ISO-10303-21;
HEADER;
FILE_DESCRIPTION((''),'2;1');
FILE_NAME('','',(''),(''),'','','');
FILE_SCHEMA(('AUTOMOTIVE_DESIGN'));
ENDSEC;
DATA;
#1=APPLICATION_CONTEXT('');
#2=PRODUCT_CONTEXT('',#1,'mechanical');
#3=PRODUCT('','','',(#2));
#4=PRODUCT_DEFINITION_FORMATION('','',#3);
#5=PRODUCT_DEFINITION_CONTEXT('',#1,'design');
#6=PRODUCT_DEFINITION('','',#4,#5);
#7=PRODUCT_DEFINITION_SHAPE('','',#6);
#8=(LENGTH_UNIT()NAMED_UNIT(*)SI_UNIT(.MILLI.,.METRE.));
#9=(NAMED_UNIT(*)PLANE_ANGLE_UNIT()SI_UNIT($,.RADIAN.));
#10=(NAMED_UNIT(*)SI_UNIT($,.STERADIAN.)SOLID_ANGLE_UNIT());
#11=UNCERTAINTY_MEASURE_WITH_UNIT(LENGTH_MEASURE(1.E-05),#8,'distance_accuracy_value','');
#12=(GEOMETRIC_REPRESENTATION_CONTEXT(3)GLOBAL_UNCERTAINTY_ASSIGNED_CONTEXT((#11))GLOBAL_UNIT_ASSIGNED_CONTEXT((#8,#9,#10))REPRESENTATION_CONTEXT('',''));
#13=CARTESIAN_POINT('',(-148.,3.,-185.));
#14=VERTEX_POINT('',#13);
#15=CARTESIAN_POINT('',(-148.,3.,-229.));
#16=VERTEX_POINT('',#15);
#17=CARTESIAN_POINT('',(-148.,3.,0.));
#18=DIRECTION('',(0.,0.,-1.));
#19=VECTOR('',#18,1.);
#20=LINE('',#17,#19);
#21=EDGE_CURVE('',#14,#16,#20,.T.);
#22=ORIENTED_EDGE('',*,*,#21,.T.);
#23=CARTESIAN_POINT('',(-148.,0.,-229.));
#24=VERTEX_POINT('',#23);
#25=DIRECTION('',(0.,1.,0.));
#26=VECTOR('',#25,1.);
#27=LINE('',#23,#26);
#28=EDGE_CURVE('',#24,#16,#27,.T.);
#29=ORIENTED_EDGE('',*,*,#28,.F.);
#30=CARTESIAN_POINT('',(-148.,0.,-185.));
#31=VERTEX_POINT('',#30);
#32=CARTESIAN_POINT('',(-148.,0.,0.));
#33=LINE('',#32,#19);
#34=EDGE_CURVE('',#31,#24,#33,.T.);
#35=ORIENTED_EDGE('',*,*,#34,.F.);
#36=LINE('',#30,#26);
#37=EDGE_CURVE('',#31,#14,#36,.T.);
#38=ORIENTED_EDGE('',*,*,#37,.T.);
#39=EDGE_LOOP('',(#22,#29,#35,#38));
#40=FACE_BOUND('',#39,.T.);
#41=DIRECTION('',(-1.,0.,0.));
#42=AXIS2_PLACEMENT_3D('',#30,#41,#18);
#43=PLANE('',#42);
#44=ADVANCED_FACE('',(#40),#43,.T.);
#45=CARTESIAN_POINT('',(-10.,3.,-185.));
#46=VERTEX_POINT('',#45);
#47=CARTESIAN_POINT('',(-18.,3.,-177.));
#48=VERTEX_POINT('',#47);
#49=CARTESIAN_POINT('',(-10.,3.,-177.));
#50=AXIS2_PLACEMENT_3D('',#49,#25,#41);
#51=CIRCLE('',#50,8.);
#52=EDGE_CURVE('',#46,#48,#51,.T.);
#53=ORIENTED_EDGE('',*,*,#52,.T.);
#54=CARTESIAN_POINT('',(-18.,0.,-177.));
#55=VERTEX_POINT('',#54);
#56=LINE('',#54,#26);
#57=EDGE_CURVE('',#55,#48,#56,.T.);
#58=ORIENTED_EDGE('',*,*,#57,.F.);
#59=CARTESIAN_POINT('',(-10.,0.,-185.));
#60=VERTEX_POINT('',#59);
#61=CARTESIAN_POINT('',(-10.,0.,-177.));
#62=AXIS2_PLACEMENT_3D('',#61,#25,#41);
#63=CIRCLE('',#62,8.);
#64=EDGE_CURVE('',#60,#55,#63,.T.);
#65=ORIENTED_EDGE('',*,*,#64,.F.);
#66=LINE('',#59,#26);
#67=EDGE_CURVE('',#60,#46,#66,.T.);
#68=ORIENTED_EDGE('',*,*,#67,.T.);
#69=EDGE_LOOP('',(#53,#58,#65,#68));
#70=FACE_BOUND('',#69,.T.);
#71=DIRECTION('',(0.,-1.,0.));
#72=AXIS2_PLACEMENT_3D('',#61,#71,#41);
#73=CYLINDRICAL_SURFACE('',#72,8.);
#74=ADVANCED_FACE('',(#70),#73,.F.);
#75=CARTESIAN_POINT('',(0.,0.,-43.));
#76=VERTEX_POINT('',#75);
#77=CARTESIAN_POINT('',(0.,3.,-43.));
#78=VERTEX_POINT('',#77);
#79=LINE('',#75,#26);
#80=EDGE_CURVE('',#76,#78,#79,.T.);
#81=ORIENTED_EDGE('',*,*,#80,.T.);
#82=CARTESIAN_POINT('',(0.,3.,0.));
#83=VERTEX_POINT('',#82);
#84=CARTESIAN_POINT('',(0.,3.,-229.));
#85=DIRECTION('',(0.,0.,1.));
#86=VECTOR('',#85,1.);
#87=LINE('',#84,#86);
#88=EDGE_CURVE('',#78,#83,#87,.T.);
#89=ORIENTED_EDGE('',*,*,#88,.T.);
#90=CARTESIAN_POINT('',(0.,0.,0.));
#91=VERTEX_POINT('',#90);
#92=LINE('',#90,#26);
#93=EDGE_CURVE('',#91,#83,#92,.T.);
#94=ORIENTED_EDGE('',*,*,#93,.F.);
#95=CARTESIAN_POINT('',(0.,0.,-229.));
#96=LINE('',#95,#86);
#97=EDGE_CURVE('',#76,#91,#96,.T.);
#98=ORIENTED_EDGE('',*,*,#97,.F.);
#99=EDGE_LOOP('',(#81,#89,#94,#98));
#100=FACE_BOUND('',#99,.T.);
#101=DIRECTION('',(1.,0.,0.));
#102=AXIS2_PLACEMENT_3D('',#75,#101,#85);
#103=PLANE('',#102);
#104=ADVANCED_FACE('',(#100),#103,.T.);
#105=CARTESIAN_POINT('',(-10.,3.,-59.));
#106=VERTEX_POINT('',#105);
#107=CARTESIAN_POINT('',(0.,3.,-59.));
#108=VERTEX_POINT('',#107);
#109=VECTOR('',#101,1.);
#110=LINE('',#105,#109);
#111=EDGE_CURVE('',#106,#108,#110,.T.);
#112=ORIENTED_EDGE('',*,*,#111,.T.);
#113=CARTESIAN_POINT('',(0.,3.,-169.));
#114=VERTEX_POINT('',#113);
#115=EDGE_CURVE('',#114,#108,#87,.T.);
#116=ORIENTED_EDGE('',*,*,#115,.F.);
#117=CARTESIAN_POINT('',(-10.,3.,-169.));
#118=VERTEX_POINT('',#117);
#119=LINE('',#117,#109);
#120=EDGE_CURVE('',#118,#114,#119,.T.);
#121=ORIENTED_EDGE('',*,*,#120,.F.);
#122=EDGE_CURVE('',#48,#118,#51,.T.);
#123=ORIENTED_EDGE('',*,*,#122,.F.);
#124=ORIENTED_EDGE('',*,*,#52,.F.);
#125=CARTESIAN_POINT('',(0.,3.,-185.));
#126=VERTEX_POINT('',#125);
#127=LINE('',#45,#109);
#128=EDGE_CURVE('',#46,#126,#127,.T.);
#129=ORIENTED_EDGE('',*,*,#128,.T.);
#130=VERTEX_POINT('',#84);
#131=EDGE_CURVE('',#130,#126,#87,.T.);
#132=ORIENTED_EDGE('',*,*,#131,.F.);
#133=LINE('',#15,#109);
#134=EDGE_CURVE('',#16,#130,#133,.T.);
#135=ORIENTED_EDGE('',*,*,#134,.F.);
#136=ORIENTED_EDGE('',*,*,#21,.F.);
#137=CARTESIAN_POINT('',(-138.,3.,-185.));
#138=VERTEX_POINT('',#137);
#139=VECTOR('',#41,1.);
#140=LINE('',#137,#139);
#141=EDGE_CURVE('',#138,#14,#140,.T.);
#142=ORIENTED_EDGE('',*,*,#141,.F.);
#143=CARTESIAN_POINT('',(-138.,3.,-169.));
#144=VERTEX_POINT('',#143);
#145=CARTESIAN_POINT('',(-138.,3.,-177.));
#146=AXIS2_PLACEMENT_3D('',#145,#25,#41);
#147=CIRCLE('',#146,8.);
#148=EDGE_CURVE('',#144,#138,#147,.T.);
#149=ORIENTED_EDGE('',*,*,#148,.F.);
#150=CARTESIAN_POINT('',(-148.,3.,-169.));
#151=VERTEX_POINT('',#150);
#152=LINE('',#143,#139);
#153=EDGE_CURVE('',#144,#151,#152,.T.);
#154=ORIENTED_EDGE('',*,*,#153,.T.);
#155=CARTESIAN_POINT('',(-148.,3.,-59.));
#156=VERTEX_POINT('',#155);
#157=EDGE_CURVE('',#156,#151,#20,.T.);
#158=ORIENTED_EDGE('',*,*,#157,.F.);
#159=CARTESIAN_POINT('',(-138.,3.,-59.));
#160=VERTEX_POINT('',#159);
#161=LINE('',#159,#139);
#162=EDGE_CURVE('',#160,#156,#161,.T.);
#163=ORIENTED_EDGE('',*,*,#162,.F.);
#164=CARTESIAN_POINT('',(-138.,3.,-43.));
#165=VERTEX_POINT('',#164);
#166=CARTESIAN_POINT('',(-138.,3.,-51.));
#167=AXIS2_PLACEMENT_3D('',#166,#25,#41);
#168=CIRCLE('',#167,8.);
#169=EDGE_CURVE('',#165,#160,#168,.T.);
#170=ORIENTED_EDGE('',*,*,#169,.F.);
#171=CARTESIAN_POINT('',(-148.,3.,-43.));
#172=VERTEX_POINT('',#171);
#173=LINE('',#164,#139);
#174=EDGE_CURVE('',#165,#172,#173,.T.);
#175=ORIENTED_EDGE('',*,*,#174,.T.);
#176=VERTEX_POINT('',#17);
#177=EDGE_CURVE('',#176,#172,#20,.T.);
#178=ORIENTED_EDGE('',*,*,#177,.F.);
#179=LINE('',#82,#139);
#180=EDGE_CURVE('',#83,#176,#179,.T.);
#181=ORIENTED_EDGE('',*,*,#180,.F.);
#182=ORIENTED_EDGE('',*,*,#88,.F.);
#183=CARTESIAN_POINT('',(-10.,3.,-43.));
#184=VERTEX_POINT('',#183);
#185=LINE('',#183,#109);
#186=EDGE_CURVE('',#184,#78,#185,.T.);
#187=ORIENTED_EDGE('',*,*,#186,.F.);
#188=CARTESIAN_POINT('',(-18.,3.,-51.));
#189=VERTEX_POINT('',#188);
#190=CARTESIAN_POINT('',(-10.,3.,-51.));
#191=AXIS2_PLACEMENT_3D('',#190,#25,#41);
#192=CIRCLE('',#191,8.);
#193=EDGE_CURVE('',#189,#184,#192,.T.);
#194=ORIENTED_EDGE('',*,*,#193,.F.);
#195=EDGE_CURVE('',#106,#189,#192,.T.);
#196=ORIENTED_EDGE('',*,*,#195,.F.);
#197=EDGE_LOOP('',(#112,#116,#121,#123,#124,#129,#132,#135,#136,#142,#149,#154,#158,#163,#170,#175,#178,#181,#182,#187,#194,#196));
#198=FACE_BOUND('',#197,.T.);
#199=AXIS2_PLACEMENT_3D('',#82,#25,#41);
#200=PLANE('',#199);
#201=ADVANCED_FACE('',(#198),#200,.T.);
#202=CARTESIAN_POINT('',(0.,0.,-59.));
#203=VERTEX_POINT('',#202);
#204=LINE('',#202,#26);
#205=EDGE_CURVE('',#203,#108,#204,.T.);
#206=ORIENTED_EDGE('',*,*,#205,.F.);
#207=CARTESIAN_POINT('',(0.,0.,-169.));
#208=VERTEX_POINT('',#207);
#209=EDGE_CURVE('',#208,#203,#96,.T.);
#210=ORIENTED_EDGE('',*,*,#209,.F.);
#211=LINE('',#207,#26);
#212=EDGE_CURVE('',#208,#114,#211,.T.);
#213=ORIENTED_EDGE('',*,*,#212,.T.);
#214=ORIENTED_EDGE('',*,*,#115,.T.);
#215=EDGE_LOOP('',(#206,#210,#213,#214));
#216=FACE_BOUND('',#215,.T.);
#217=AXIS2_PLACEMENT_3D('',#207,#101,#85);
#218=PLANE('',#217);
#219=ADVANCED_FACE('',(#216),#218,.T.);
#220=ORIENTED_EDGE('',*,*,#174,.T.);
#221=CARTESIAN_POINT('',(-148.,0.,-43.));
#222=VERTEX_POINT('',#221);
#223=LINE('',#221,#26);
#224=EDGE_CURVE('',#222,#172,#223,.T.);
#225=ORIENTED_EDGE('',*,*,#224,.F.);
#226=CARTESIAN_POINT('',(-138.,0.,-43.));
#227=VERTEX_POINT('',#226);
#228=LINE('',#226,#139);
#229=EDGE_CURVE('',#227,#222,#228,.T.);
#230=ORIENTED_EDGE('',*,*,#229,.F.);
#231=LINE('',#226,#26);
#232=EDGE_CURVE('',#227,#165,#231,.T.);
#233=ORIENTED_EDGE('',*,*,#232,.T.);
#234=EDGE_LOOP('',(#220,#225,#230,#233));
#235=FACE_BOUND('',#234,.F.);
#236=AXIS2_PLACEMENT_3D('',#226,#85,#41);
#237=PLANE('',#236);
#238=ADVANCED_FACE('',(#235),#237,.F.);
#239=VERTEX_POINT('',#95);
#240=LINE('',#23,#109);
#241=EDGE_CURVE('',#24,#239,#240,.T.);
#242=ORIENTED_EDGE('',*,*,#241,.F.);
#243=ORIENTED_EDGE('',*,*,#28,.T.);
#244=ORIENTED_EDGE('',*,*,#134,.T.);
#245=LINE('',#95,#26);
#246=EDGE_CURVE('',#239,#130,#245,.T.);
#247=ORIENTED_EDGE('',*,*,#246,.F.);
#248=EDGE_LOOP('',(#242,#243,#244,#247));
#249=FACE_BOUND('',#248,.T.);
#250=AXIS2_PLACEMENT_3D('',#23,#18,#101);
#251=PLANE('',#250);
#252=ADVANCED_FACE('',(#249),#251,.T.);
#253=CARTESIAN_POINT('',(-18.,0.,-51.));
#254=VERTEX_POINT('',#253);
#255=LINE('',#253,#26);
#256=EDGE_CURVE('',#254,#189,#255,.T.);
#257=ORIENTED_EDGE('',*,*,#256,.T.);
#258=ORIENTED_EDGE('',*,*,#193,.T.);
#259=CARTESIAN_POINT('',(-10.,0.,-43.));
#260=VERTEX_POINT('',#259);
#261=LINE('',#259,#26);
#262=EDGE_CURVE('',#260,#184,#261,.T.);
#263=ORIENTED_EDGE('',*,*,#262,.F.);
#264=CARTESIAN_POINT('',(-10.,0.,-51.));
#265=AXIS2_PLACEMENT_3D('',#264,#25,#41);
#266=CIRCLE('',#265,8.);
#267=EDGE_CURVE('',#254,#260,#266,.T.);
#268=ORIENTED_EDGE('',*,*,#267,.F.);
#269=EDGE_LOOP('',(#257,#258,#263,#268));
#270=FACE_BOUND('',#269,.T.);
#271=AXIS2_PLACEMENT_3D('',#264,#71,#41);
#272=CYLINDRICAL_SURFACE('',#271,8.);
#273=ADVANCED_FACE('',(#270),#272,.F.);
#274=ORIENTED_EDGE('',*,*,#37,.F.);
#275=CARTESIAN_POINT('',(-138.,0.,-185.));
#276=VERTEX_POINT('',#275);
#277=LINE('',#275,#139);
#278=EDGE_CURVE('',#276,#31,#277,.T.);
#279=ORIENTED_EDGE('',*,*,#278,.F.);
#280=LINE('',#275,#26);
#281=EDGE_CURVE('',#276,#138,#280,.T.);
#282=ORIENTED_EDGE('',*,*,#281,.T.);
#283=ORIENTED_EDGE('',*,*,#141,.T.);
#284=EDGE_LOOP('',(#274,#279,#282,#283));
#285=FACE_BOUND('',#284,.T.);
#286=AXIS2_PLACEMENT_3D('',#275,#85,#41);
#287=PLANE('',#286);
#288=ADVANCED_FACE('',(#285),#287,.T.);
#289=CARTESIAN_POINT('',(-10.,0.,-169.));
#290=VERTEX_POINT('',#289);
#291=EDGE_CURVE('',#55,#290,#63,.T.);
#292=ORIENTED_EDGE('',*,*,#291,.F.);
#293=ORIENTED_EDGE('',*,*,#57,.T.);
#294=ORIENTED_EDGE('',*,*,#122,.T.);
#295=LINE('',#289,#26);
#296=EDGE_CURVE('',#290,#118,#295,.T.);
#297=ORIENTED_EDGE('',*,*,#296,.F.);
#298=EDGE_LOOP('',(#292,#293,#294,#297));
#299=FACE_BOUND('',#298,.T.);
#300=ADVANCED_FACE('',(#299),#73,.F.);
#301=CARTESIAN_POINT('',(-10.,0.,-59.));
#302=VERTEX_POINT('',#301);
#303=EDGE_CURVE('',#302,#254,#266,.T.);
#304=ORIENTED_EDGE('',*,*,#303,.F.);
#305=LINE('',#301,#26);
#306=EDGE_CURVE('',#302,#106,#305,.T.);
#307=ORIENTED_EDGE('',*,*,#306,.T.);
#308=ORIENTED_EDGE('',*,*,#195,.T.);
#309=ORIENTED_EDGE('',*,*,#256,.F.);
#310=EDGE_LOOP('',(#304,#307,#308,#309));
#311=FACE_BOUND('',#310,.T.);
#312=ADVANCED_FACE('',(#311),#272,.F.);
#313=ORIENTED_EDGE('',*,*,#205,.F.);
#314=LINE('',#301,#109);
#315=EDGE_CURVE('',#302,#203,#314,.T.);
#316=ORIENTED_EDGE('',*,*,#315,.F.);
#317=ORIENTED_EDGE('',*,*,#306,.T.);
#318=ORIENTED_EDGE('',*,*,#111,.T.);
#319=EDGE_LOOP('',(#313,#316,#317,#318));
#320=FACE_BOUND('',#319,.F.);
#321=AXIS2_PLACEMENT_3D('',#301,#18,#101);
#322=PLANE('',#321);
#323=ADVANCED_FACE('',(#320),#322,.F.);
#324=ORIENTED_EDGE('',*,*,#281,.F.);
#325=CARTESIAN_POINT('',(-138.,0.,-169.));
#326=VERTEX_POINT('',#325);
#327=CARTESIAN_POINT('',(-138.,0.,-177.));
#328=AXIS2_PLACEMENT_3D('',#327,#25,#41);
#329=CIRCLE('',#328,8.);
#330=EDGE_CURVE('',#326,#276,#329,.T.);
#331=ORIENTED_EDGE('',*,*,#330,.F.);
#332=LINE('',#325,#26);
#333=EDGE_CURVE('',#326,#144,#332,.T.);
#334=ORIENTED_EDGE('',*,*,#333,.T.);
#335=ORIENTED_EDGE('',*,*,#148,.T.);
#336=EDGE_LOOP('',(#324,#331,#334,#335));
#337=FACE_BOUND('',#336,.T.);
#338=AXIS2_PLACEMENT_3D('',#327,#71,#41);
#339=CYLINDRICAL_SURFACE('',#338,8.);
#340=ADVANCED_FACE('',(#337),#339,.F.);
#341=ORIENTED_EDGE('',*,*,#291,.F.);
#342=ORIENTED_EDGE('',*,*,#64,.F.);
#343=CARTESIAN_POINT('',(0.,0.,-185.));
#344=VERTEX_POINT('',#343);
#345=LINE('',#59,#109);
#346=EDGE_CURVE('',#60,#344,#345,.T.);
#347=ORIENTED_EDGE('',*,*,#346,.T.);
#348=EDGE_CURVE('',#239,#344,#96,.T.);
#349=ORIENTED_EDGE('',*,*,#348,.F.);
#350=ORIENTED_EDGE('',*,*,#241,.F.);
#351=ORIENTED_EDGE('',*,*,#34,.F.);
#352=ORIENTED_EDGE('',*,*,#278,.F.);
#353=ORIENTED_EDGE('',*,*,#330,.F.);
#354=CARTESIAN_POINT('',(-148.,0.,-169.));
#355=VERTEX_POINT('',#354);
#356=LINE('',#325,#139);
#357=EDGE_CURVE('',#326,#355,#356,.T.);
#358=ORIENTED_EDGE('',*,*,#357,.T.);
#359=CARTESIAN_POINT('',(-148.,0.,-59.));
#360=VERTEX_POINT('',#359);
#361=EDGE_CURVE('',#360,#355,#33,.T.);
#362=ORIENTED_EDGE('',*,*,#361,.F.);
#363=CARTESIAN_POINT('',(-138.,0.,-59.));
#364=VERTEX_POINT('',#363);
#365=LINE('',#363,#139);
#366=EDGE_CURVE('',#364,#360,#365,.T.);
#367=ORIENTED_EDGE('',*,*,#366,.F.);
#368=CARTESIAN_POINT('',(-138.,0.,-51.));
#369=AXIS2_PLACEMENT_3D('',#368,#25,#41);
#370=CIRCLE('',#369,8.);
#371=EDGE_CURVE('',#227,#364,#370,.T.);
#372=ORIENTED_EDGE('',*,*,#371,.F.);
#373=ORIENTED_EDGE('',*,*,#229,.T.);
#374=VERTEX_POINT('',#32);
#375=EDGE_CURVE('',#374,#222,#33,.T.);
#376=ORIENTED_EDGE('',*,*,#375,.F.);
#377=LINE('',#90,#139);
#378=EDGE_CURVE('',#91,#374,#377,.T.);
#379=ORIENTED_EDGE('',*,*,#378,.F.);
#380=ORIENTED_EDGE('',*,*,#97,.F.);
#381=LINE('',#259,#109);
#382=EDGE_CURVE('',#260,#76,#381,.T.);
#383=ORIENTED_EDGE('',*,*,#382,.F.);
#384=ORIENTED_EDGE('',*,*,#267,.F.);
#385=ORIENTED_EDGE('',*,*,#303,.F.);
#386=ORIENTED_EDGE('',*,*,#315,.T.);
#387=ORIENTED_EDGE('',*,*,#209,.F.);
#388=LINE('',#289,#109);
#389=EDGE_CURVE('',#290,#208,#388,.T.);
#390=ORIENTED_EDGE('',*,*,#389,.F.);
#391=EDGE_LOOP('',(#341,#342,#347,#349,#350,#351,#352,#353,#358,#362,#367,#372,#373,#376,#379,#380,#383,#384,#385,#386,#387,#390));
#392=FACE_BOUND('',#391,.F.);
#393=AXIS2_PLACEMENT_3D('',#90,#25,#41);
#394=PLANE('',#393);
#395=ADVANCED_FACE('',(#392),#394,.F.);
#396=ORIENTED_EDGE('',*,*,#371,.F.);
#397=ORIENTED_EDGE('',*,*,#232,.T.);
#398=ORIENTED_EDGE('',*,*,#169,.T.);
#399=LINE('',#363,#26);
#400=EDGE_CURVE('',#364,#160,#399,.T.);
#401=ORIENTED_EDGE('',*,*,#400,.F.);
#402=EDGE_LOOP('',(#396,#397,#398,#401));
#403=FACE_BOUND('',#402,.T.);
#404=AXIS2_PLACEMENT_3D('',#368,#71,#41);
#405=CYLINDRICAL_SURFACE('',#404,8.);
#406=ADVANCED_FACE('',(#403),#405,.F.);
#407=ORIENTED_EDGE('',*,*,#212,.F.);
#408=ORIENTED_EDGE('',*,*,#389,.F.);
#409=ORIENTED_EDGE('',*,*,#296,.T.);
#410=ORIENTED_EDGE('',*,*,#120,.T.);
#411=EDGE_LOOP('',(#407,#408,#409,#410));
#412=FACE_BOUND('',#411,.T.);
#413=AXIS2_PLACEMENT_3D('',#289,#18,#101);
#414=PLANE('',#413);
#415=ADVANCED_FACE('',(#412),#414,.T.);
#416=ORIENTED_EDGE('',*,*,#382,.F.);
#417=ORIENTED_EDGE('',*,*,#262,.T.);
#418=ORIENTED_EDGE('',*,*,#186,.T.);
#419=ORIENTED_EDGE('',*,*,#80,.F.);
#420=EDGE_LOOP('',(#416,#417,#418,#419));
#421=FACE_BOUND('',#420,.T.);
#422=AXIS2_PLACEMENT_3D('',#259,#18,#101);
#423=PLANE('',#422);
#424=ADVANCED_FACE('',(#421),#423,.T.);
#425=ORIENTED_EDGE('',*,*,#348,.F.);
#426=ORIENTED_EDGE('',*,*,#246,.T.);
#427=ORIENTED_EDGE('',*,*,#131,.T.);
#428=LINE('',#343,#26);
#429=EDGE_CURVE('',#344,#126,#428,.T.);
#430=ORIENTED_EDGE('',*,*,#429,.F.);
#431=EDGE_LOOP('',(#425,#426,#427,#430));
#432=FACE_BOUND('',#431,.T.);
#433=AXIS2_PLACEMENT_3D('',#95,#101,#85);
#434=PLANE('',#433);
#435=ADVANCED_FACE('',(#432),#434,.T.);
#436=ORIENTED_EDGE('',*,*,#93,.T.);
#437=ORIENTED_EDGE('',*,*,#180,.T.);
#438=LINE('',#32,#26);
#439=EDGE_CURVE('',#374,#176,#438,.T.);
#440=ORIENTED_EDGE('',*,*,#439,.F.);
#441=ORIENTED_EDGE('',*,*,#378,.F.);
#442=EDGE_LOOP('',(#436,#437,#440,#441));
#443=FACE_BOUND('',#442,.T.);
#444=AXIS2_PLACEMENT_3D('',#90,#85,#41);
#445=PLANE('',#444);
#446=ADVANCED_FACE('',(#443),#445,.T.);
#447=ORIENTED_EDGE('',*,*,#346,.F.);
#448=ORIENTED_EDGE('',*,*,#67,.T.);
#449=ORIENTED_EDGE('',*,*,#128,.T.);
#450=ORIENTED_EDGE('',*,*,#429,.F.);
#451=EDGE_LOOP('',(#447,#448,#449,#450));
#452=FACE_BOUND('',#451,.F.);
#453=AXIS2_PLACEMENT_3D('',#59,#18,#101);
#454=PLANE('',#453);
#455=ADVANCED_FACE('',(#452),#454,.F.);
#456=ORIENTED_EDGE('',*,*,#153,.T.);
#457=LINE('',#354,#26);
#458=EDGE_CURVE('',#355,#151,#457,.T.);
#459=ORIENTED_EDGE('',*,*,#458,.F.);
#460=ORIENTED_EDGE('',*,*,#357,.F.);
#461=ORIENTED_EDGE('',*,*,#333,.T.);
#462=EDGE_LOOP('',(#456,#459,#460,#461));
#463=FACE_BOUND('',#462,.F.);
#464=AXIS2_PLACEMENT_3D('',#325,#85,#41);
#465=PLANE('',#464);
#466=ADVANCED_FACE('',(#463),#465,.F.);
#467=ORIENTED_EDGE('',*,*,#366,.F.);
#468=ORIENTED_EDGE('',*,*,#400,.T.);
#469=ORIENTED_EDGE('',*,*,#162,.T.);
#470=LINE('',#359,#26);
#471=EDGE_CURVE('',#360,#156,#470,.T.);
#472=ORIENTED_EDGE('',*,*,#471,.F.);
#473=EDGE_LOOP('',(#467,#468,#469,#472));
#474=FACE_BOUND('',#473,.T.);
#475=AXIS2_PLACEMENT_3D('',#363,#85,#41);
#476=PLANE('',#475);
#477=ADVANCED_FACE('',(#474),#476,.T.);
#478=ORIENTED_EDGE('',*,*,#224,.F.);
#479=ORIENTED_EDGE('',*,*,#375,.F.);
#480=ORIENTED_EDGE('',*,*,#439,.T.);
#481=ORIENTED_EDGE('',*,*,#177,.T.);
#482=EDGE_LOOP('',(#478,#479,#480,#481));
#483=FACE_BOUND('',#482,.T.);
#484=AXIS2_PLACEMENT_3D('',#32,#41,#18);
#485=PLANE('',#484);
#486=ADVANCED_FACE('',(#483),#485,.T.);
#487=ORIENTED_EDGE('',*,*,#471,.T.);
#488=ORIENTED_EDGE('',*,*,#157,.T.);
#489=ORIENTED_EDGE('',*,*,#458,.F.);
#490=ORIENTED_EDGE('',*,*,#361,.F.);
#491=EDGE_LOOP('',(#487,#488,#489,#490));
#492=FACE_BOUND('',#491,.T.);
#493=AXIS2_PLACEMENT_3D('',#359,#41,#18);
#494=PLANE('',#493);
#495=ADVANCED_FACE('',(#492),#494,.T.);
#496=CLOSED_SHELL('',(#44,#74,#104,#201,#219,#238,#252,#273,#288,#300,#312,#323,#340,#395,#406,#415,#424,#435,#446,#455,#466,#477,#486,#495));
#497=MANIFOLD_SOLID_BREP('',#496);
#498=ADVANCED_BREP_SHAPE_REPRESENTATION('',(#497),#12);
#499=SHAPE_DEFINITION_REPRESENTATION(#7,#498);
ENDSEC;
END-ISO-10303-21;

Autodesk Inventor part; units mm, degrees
ref_plane "YZ Plane" through (0, 0, 0) normal (1, 0, 0) x (0, 1, 0)
ref_plane "XZ Plane" through (0, 0, 0) normal (0, 1, 0) x (-1, 0, 0)
ref_plane "XY Plane" through (0, 0, 0) normal (0, 0, 1) x (1, 0, 0)
sketch "Sketch1" plane through (0, 0, 0) normal (0, 1, 0) x (-1, 0, 0)
  line L0 (0, 0) -> (148, 0)
  line L1 (148, 0) -> (148, -229)
  line L2 (148, -229) -> (0, -229)
  line L3 (0, -229) -> (0, 0)
  line L4 (0, 0) -> (10, 0) construction
  line L5 (10, 0) -> (10, -51) construction
  circle A0 centre (10, -51) radius 8
  line L6 (10, -59) -> (0, -59)
  line L7 (10, -43) -> (0, -43)
  line L8 (10, -51) -> (10, -177) construction
  circle A1 centre (10, -177) radius 8
  line L9 (10, -169) -> (0, -169)
  line L10 (10, -185) -> (0, -185)
  line L11 (148, 0) -> (138, 0) construction
  line L12 (138, 0) -> (138, -51) construction
  circle A2 centre (138, -51) radius 8
  line L13 (138, -59) -> (148, -59)
  line L14 (138, -43) -> (148, -43)
  line L15 (138, -51) -> (138, -177) construction
  circle A3 centre (138, -177) radius 8
  line L16 (138, -185) -> (148, -185)
  line L17 (138, -169) -> (148, -169)
  dimension "d0" = 148
  dimension "d1" = 229
  dimension "d2" = 10
  dimension "d3" = 51
  dimension "d4" = 16
  dimension "d5" = 126
  dimension "d6" = 16
  dimension "d7" = 10
  dimension "d8" = 51
  dimension "d9" = 16
extrude "Extrusion1" add sketch "Sketch1" along normal blind 3 contours L0 L1 L14 A2 L13 L17 A3 L16 L2 L3 L10 A1 L9 L6 A0 L7
properties part number "heater"
